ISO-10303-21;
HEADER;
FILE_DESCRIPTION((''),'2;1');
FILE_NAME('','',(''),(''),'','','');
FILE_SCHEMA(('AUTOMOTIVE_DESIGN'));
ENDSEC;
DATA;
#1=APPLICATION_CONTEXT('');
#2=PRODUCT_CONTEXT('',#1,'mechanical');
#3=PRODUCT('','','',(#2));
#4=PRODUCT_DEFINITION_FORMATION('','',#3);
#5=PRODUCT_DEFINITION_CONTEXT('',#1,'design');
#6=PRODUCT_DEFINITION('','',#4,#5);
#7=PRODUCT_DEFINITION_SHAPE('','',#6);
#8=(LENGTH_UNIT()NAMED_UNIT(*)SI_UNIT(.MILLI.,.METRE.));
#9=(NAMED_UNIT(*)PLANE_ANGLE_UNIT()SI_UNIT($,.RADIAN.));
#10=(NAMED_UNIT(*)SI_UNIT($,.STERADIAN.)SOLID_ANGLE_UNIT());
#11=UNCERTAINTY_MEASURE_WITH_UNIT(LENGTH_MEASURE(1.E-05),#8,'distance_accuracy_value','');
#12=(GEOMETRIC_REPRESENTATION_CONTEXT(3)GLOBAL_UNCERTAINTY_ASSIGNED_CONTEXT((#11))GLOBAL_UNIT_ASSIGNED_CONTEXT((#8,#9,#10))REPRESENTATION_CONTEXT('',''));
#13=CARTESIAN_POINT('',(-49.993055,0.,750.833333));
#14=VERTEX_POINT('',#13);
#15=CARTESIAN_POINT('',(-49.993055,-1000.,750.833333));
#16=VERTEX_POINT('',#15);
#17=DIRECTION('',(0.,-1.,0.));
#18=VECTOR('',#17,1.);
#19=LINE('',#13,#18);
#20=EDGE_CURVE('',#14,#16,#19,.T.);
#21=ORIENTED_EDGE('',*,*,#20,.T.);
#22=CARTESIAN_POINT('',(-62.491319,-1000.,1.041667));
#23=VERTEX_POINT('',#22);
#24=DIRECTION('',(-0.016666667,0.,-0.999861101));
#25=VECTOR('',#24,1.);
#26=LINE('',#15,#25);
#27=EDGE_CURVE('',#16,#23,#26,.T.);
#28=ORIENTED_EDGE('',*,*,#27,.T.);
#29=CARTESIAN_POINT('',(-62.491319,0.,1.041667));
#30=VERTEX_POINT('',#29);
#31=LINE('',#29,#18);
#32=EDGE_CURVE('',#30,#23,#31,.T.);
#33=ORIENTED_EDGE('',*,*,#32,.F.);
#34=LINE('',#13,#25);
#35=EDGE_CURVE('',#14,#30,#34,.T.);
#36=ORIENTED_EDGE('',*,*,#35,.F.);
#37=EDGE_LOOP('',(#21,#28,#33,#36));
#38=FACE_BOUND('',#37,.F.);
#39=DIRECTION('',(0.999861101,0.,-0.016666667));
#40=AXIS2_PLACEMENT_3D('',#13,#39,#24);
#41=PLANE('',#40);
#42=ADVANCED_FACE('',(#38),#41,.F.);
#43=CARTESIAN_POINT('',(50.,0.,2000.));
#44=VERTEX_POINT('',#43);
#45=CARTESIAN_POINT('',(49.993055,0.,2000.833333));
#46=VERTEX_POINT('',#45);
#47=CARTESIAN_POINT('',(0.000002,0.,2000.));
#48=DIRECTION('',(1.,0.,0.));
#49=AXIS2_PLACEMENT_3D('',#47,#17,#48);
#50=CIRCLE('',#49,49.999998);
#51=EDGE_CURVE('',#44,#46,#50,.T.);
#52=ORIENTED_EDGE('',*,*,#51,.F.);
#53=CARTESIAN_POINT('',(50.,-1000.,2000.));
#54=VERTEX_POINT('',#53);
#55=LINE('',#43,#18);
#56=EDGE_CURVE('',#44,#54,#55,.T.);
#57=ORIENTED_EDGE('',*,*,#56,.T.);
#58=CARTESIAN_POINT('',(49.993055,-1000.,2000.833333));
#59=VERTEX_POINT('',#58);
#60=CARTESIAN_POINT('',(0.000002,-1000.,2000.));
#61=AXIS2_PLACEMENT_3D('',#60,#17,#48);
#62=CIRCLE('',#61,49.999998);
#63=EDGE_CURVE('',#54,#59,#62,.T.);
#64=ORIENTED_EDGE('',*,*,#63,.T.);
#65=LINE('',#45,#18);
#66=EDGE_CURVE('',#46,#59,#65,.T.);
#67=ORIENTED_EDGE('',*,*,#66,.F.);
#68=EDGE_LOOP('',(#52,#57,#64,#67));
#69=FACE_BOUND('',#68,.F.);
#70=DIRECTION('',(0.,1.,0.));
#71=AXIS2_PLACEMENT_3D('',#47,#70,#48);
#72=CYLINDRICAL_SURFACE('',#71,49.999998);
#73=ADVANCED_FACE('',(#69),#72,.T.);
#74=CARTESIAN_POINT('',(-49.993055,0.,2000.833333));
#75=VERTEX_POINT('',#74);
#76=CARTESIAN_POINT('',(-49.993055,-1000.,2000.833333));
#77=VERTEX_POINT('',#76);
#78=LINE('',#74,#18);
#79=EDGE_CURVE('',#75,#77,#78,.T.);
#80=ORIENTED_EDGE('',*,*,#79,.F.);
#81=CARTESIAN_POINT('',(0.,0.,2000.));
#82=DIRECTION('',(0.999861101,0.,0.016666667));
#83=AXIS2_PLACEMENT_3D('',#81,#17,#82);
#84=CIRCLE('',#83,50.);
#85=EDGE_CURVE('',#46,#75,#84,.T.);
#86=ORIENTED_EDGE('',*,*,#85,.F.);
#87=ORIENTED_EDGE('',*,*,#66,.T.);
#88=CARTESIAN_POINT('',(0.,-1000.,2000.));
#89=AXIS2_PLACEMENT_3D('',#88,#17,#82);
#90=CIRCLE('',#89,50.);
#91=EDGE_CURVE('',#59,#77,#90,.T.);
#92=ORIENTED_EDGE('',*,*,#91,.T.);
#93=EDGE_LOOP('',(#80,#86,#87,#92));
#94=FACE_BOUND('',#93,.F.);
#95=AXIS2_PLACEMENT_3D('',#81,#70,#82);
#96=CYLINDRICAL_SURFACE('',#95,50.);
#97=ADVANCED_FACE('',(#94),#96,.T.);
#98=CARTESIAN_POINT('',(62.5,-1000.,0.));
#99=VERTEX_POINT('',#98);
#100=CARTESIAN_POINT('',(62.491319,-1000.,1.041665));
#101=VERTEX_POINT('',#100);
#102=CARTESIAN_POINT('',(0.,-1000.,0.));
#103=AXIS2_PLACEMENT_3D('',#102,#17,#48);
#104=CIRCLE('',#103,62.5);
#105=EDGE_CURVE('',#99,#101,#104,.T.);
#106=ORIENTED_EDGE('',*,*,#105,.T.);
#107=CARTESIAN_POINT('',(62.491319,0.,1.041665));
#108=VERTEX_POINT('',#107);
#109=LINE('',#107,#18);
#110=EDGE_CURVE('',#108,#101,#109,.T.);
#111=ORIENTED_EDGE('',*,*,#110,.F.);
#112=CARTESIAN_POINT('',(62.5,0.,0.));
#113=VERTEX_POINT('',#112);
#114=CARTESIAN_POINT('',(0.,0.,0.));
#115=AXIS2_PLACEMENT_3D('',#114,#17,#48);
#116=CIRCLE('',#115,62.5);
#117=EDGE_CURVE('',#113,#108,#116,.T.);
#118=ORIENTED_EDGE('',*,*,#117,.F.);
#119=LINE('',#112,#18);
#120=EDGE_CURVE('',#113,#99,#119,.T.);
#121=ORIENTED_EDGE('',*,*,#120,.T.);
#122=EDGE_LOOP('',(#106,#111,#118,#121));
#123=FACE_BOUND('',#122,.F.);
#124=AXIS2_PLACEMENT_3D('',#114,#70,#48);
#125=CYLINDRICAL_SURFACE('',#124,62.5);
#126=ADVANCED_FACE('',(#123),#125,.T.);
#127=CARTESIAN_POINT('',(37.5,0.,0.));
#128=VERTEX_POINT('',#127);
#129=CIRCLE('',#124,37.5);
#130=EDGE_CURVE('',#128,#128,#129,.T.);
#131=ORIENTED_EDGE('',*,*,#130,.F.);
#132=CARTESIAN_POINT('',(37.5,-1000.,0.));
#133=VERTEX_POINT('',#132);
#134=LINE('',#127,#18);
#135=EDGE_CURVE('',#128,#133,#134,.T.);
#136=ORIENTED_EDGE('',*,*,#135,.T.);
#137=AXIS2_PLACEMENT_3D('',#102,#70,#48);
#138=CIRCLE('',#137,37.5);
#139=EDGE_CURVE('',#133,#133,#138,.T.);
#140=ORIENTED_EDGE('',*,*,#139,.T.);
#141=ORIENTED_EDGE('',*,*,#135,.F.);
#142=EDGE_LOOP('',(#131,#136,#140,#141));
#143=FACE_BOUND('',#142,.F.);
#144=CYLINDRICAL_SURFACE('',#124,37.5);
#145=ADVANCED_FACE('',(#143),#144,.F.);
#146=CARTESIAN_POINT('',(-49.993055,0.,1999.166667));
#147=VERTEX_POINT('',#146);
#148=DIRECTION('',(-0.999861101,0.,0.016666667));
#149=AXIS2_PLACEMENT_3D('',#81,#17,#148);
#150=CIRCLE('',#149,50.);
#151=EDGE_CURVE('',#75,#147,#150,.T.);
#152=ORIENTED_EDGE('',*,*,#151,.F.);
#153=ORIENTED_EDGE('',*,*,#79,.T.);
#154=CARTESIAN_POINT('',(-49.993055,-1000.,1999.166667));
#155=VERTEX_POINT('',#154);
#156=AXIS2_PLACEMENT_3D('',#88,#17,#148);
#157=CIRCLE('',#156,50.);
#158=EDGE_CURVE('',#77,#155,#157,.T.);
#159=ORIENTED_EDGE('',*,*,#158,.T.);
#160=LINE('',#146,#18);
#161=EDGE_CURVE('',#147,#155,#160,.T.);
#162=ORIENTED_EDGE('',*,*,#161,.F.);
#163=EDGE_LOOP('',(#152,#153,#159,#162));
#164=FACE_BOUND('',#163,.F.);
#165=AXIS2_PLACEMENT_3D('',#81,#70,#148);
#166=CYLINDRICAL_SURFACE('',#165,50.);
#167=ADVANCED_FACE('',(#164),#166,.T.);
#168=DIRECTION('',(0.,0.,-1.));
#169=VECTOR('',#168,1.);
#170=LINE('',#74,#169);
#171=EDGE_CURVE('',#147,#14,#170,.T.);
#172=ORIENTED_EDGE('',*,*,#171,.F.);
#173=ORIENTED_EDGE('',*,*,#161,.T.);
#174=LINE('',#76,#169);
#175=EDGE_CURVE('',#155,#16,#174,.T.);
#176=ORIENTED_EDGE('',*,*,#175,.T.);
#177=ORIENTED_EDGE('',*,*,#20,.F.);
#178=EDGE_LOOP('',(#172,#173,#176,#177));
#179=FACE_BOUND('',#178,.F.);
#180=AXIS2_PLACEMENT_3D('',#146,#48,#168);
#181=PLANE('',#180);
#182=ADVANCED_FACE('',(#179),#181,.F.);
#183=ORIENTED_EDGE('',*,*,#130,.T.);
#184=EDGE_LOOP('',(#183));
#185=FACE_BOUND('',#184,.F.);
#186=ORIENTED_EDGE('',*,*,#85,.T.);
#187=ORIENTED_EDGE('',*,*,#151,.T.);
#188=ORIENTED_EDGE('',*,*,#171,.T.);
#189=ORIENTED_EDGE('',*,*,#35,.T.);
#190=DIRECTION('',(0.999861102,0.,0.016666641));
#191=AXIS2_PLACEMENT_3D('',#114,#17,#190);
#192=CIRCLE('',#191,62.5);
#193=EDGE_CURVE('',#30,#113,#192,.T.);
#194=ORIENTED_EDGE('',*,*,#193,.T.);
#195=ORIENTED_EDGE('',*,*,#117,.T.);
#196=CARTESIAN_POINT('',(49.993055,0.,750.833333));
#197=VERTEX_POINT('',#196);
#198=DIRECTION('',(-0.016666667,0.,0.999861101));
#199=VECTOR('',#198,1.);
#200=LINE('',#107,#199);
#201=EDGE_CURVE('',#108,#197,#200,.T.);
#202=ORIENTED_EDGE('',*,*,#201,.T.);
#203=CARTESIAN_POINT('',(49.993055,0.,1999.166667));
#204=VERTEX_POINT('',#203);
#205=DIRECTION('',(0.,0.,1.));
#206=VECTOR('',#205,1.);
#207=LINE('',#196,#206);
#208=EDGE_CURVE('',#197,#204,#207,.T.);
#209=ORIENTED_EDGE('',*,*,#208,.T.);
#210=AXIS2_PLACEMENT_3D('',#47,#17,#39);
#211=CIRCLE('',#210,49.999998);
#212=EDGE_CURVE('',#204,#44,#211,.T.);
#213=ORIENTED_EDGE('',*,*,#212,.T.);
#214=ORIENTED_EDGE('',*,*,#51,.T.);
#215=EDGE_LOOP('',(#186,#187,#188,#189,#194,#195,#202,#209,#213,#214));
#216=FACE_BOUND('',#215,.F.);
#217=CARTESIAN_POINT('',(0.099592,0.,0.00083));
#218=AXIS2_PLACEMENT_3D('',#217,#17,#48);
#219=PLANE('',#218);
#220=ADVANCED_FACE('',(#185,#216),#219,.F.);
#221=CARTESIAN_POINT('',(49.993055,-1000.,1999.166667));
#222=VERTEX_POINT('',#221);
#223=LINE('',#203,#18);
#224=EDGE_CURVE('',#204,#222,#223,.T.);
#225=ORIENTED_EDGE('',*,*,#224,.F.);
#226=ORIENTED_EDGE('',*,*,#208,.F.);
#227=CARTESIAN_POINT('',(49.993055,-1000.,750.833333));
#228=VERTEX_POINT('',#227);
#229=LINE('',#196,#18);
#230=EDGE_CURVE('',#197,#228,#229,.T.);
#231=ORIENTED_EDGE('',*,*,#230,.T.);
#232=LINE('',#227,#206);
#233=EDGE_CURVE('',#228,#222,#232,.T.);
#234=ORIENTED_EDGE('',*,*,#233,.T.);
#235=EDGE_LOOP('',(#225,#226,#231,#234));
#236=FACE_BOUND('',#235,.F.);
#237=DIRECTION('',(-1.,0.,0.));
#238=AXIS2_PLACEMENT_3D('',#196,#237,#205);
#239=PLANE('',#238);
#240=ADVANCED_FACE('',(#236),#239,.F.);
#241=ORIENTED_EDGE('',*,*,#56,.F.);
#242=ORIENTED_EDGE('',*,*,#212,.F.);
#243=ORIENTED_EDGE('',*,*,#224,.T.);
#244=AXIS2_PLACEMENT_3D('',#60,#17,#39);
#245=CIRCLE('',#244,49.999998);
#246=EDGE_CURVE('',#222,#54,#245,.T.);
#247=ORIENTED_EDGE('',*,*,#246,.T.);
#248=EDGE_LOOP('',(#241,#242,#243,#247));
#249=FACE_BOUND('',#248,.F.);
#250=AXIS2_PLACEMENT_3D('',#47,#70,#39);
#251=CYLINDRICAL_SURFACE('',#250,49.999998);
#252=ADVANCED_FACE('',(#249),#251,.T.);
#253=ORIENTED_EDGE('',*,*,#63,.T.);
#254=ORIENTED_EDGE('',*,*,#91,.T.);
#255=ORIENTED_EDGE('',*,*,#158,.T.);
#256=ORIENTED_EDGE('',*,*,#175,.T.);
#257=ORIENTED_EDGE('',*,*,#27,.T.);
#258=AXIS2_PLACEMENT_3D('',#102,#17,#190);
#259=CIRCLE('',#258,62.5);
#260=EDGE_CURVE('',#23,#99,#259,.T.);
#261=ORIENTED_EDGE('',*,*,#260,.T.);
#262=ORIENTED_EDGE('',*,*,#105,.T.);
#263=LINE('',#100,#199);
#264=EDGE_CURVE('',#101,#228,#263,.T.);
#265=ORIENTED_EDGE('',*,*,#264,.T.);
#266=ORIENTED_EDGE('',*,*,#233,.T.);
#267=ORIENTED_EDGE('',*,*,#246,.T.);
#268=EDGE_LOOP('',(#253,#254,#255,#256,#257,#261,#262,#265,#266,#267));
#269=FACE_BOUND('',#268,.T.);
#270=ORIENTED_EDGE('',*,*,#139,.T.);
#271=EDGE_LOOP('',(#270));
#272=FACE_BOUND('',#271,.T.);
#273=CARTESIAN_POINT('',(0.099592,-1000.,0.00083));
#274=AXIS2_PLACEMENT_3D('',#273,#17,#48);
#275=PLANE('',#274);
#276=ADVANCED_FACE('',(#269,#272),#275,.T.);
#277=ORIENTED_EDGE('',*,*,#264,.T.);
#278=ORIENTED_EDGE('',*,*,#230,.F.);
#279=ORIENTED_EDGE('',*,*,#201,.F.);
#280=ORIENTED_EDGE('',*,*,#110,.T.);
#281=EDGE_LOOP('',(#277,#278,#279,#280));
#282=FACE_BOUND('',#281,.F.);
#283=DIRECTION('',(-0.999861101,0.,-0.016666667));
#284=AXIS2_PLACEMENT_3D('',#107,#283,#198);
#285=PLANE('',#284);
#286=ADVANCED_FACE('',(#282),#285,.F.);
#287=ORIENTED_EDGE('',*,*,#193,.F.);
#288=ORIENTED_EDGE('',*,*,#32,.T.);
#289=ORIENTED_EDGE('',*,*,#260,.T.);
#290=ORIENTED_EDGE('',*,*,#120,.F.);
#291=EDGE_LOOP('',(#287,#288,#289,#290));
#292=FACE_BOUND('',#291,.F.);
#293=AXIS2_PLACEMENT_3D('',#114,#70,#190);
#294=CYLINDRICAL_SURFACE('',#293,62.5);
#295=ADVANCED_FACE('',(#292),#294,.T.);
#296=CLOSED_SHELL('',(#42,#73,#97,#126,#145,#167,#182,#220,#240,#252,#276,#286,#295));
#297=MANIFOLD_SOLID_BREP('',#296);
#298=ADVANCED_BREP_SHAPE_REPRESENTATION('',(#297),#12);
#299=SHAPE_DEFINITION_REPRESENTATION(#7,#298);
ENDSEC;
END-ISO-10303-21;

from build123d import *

# Parameters (mm, degrees)
F1_DEPTH = 1000


with BuildPart() as f1:
    # F0 (on Front) → F1 (new body)
    with BuildSketch(Plane.XZ):
        with BuildLine():
            ThreePointArc((62.491318868, 1.041665079), (7.939e-07, 62.5), (-62.4913188415, 1.0416666667))
            ThreePointArc((-62.4913188415, 1.0416666667), (-0.52085142, -62.4978296727), (62.5, 0))
            ThreePointArc((62.5, 0), (62.4978296793, 0.5208506261), (62.491318868, 1.041665079))
        make_face()
        with BuildLine():
            ThreePointArc((0, 37.5), (26.5165042945, 26.5165042945), (37.5, 0))
            ThreePointArc((37.5, 0), (-26.5165042945, -26.5165042945), (0, 37.5))
        make_face(mode=Mode.SUBTRACT)
        with BuildLine():
            Line((-49.9930550732, 750.8333333333), (-62.4913188415, 1.0416666667))
            ThreePointArc((-62.4913188415, 1.0416666667), (7.939e-07, 62.5), (62.491318868, 1.041665079))
            Line((62.491318868, 1.041665079), (49.9930550732, 750.8333333333))
            ThreePointArc((49.9930550732, 750.8333333333), (49.9982637382, 750.416681136), (50, 750))
            ThreePointArc((50, 750), (-0.416681136, 700.0017362618), (-49.9930550732, 750.8333333333))
        make_face()
        with BuildLine():
            Line((-49.9930550732, 1999.1666666667), (-49.9930550732, 750.8333333333))
            ThreePointArc((-49.9930550732, 750.8333333333), (0, 800), (49.9930550732, 750.8333333333))
            Line((49.9930550732, 750.8333333333), (49.9930550732, 1999.1666666667))
            ThreePointArc((49.9930550732, 1999.1666666667), (0, 1950), (-49.9930550732, 1999.1666666667))
        make_face()
        with BuildLine():
            ThreePointArc((49.9930550732, 750.8333333333), (0, 800), (-49.9930550732, 750.8333333333))
            ThreePointArc((-49.9930550732, 750.8333333333), (-0.416681136, 700.0017362618), (50, 750))
            ThreePointArc((50, 750), (49.9982637382, 750.416681136), (49.9930550732, 750.8333333333))
        make_face()
        with BuildLine():
            Line((-49.9930550732, 2000.8333333333), (-49.9930550732, 1999.1666666667))
            ThreePointArc((-49.9930550732, 1999.1666666667), (0, 1950), (49.9930550732, 1999.1666666667))
            Line((49.9930550732, 1999.1666666667), (49.9930550732, 2000.8333333333))
            ThreePointArc((49.9930550732, 2000.8333333333), (0, 2050), (-49.9930550732, 2000.8333333333))
        make_face()
        with BuildLine():
            ThreePointArc((-49.9930550732, 2000.8333333333), (-50, 2000), (-49.9930550732, 1999.1666666667))
            Line((-49.9930550732, 1999.1666666667), (-49.9930550732, 2000.8333333333))
        make_face()
        with BuildLine():
            Line((49.9930550732, 2000.8333333333), (49.9930550732, 1999.1666666667))
            ThreePointArc((49.9930550732, 1999.1666666667), (49.9982637382, 1999.583318864), (50, 2000))
            ThreePointArc((50, 2000), (49.9982637382, 2000.416681136), (49.9930550732, 2000.8333333333))
        make_face()
    extrude(amount=F1_DEPTH)


solid = f1.part
